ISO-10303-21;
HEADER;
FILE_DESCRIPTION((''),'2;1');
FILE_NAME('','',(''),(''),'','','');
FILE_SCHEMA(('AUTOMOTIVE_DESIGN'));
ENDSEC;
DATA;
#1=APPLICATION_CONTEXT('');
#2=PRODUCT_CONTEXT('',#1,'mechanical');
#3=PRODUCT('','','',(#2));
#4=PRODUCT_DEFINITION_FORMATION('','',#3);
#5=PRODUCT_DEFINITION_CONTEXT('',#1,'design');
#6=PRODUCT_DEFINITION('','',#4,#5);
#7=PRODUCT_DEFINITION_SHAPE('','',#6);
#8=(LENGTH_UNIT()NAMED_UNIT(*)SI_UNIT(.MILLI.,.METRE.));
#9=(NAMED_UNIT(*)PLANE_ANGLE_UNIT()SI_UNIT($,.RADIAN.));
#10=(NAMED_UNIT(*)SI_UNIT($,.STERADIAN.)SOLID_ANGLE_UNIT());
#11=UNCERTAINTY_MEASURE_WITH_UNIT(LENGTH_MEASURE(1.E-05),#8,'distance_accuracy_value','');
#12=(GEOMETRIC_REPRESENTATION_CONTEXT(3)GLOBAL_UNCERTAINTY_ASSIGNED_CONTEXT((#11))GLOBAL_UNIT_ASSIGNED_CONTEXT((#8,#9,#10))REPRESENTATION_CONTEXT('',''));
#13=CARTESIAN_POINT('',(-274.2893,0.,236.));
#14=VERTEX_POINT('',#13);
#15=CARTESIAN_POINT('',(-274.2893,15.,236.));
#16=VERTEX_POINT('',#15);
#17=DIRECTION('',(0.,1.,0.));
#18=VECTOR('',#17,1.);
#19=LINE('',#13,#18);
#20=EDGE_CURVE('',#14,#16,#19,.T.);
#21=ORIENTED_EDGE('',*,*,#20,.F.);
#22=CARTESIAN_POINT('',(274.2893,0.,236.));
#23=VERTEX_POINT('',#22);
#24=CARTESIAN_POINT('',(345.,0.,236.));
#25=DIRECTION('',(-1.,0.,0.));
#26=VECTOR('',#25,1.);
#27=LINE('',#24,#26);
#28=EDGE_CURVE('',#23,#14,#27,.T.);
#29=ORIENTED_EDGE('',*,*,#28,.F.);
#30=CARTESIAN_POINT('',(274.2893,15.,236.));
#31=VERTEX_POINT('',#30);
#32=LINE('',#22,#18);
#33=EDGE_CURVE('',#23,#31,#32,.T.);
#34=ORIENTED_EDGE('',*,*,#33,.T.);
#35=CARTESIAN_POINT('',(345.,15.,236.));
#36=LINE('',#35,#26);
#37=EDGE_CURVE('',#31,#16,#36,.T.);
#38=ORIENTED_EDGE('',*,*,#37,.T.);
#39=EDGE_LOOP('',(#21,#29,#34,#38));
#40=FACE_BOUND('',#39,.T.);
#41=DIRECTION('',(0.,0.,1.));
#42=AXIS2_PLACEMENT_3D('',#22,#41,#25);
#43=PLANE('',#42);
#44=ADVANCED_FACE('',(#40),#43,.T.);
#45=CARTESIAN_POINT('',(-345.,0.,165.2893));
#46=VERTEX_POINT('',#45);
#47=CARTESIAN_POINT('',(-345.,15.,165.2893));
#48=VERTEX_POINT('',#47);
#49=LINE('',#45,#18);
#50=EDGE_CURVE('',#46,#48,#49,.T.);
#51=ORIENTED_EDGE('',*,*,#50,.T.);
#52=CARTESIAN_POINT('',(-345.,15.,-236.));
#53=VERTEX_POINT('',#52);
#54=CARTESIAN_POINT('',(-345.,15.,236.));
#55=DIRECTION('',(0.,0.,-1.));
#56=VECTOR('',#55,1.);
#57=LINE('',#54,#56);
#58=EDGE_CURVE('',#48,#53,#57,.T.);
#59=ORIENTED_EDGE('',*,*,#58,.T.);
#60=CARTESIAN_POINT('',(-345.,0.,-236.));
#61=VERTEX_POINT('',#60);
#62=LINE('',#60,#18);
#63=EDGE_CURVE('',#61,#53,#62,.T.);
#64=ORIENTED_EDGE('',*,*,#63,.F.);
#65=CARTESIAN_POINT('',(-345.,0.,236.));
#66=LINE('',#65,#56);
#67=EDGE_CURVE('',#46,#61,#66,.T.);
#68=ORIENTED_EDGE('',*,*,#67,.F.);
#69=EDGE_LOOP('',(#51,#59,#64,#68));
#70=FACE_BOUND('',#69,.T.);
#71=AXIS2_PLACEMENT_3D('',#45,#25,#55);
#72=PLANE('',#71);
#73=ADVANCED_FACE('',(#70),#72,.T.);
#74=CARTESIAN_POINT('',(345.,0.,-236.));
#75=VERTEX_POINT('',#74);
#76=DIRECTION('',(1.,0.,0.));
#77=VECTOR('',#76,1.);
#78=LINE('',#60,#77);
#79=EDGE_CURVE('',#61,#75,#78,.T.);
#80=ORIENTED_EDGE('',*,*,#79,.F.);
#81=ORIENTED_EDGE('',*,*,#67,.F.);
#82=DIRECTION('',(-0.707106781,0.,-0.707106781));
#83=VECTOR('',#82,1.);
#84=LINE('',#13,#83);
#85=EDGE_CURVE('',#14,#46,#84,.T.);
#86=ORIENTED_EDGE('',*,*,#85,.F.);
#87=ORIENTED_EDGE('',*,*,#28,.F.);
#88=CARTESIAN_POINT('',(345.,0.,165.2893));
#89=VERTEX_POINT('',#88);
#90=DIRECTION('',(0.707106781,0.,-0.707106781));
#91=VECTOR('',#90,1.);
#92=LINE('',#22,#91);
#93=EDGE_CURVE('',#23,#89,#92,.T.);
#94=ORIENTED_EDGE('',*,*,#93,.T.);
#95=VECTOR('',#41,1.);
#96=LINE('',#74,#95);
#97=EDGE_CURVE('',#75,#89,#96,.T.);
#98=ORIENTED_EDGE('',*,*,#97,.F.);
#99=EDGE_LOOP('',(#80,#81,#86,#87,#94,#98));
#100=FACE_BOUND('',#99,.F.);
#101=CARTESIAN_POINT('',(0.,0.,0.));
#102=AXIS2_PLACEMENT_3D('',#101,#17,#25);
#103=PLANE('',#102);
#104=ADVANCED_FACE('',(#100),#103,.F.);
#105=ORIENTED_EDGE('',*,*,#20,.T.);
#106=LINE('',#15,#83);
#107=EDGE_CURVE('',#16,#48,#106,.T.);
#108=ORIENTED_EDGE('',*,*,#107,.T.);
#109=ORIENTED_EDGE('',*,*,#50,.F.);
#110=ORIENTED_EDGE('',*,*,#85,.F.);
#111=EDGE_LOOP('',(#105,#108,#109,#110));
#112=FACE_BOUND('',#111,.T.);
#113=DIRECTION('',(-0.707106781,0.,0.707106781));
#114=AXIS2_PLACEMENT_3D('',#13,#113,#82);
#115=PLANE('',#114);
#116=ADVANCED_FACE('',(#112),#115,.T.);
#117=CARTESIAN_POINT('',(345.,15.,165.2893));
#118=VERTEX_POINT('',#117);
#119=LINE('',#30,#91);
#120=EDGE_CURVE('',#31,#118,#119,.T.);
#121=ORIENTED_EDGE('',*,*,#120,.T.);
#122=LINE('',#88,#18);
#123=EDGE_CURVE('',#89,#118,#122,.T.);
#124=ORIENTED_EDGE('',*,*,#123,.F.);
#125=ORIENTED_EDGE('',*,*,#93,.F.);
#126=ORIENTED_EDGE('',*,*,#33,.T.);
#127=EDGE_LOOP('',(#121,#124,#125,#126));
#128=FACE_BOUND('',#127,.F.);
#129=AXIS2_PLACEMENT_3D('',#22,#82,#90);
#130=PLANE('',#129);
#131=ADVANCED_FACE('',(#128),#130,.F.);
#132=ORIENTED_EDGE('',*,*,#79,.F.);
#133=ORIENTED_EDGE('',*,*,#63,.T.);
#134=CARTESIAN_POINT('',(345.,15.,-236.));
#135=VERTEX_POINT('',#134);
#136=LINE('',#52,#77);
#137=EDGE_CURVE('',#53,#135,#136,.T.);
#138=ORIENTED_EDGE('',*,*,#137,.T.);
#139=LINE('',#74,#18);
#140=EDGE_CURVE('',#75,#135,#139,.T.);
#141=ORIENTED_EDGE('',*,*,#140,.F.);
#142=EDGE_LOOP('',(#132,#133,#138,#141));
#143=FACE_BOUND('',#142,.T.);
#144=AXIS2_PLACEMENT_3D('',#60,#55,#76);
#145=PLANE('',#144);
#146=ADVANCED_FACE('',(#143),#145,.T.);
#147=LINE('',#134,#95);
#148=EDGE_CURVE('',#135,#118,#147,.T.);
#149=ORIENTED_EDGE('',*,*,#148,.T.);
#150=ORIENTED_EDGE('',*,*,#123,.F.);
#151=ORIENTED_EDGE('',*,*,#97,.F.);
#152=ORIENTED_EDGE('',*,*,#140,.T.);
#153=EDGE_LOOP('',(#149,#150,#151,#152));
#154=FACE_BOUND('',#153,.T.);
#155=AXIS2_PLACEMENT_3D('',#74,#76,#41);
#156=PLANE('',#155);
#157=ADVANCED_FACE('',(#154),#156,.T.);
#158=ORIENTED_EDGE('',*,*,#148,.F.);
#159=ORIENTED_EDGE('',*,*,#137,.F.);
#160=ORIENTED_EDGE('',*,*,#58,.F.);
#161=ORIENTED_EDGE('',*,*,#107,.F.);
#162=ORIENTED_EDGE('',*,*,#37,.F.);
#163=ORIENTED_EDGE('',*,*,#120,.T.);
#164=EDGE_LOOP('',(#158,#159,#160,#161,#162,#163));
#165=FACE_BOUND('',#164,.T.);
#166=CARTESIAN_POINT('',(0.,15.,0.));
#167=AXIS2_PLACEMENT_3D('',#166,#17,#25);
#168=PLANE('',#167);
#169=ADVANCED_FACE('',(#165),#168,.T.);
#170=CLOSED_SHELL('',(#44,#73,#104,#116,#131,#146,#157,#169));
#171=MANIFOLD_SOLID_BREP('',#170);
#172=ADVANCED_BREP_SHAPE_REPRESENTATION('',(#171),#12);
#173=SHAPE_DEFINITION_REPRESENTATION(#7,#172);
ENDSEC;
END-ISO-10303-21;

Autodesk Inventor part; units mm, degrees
ref_plane "YZ Plane" through (0, 0, 0) normal (1, 0, 0) x (0, 1, 0)
ref_plane "XZ Plane" through (0, 0, 0) normal (0, 1, 0) x (-1, 0, 0)
ref_plane "XY Plane" through (0, 0, 0) normal (0, 0, 1) x (1, 0, 0)
sketch "Sketch1" plane through (0, 0, 0) normal (0, 1, 0) x (-1, 0, 0)
  line L0 (345, -236) -> (-345, -236)
  line L1 (-345, -236) -> (-345, 236)
  line L2 (-345, 236) -> (345, 236)
  line L3 (345, 236) -> (345, -236)
  line L4 (345, -236) -> (-345, 236) construction
  line L5 (-345, -236) -> (345, 236) construction
  line L6 (274.2893, 236) -> (345, 165.2893)
  line L7 (-274.2893, 236) -> (-345, 165.2893)
  line L8 (0, 236) -> (0, -236) construction
  point P0 (0, 0)
  dimension "d0" = 690
  dimension "d1" = 472
  dimension "d3" = 45
  dimension "d4" = 100
extrude "Plate1" add sketch "Sketch1" along normal blind 15 contours L0 L1 L7 L2 L6 L3
equation "\"d2\" = Thickness"
equation "\"BendRadius\" = Thickness"
equation "\"BendReliefWidth\" = Thickness"
equation "\"BendReliefDepth\" = 0.5 * Thickness"
equation "\"TransitionRadius\" = BendRadius"
equation "\"JacobiRadiusSize\" = BendRadius"
equation "\"GapSize\" = Thickness"
equation "\"Thickness\" = 15"
properties part number "фанера 2" material "Wood (Maple)"
